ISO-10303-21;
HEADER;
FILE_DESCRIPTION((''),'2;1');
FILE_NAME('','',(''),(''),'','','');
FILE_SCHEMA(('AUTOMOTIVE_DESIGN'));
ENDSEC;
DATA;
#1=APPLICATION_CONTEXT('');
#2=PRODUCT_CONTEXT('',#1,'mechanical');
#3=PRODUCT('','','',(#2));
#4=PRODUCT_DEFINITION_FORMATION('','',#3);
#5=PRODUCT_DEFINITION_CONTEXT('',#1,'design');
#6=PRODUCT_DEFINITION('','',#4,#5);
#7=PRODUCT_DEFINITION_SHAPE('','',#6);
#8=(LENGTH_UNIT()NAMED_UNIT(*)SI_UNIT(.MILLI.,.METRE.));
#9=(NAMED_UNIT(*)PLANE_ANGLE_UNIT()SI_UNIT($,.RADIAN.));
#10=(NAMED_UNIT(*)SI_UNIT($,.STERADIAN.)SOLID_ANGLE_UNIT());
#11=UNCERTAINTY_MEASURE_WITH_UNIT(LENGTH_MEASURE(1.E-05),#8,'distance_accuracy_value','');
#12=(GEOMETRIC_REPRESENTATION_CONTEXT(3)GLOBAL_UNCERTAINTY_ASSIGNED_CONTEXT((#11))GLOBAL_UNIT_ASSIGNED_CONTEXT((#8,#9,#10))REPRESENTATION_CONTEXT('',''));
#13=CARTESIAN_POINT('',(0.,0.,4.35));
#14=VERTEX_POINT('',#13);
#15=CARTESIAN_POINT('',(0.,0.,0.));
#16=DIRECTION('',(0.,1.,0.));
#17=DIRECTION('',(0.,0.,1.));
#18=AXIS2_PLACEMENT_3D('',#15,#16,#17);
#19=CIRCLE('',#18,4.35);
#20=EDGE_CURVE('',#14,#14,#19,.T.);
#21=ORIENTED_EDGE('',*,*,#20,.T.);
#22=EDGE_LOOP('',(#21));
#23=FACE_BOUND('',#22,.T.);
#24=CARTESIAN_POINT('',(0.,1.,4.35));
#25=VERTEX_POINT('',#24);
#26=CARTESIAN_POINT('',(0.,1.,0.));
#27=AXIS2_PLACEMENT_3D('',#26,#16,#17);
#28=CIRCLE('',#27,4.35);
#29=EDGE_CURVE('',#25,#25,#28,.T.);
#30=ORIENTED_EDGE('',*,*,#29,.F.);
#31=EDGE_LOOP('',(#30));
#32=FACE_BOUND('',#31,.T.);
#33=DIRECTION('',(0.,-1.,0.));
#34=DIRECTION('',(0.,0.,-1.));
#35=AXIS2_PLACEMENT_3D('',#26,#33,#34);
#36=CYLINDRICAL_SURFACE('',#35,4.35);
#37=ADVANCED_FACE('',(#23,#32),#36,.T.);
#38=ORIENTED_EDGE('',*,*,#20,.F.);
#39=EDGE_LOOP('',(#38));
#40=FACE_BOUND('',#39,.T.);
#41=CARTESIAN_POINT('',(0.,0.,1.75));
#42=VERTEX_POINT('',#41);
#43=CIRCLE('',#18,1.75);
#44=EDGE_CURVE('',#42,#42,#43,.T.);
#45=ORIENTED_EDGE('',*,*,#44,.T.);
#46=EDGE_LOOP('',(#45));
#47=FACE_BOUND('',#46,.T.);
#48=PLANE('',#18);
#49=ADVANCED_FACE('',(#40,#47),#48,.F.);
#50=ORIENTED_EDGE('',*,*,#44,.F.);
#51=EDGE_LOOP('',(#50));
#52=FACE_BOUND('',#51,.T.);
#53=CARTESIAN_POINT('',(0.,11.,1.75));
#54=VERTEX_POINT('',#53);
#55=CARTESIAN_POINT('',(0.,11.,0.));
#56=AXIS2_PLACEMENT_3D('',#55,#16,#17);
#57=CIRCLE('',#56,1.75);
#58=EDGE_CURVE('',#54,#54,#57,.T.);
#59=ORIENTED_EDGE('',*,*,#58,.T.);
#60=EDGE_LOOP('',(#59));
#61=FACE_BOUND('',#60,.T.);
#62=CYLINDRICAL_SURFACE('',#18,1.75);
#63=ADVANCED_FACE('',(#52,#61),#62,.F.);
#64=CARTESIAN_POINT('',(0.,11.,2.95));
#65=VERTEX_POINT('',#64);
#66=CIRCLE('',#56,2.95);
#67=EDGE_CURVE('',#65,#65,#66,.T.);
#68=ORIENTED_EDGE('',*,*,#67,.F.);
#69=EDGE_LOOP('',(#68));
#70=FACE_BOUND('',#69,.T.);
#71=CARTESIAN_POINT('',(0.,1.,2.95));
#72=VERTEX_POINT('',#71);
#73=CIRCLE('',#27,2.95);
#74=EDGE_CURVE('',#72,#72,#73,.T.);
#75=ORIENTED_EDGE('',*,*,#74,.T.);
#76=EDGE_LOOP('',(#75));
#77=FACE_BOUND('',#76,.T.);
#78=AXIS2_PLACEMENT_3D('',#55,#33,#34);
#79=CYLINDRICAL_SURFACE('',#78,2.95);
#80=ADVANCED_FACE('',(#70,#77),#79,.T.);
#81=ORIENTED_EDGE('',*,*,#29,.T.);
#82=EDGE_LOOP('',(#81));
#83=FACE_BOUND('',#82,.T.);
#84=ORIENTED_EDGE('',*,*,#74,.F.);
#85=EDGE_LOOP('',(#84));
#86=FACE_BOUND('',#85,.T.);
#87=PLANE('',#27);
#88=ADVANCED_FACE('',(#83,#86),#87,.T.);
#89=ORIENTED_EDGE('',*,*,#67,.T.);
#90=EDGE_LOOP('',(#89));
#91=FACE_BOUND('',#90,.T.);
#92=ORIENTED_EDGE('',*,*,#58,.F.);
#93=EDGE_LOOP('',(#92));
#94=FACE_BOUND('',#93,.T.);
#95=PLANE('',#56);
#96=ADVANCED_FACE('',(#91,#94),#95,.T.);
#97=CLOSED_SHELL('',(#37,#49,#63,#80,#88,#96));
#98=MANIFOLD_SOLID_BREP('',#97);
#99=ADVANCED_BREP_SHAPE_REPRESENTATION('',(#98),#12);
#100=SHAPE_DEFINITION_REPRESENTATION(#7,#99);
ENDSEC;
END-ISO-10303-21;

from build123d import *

# Parameters (mm, degrees)
SKETCH1_R           = 4.35
BOSS_EXTRUDE1_DEPTH = 1
SKETCH2_R           = 2.95
BOSS_EXTRUDE2_DEPTH = 10
SKETCH3_R           = 1.75
CUT_EXTRUDE1_DEPTH  = 13.603372565


with BuildPart() as part:
    # Sketch1 → Boss-Extrude1 (new body)
    with BuildSketch(Plane(origin=(0, 0, 0), x_dir=(1, 0, 0), z_dir=(0, 1, 0))):
        with Locations(Location((0, 0, 0), (0, 0, 270))):
            Circle(SKETCH1_R)
    extrude(amount=BOSS_EXTRUDE1_DEPTH)

    # Sketch2 → Boss-Extrude2 (add)
    with BuildSketch(Plane(origin=(0, 1, 0), x_dir=(1, 0, 0), z_dir=(0, 1, 0))):
        with Locations(Location((0, 0, 0), (0, 0, 270))):
            Circle(SKETCH2_R)
    extrude(amount=BOSS_EXTRUDE2_DEPTH)

    # Sketch3 → Cut-Extrude1 (cut, through all)
    with BuildSketch(Plane(origin=(0, 11, 0), x_dir=(1, 0, 0), z_dir=(0, 1, 0))):
        with Locations(Location((0, 0, 0), (0, 0, 270))):
            Circle(SKETCH3_R)
    extrude(amount=-CUT_EXTRUDE1_DEPTH, mode=Mode.SUBTRACT)


solid = part.part
